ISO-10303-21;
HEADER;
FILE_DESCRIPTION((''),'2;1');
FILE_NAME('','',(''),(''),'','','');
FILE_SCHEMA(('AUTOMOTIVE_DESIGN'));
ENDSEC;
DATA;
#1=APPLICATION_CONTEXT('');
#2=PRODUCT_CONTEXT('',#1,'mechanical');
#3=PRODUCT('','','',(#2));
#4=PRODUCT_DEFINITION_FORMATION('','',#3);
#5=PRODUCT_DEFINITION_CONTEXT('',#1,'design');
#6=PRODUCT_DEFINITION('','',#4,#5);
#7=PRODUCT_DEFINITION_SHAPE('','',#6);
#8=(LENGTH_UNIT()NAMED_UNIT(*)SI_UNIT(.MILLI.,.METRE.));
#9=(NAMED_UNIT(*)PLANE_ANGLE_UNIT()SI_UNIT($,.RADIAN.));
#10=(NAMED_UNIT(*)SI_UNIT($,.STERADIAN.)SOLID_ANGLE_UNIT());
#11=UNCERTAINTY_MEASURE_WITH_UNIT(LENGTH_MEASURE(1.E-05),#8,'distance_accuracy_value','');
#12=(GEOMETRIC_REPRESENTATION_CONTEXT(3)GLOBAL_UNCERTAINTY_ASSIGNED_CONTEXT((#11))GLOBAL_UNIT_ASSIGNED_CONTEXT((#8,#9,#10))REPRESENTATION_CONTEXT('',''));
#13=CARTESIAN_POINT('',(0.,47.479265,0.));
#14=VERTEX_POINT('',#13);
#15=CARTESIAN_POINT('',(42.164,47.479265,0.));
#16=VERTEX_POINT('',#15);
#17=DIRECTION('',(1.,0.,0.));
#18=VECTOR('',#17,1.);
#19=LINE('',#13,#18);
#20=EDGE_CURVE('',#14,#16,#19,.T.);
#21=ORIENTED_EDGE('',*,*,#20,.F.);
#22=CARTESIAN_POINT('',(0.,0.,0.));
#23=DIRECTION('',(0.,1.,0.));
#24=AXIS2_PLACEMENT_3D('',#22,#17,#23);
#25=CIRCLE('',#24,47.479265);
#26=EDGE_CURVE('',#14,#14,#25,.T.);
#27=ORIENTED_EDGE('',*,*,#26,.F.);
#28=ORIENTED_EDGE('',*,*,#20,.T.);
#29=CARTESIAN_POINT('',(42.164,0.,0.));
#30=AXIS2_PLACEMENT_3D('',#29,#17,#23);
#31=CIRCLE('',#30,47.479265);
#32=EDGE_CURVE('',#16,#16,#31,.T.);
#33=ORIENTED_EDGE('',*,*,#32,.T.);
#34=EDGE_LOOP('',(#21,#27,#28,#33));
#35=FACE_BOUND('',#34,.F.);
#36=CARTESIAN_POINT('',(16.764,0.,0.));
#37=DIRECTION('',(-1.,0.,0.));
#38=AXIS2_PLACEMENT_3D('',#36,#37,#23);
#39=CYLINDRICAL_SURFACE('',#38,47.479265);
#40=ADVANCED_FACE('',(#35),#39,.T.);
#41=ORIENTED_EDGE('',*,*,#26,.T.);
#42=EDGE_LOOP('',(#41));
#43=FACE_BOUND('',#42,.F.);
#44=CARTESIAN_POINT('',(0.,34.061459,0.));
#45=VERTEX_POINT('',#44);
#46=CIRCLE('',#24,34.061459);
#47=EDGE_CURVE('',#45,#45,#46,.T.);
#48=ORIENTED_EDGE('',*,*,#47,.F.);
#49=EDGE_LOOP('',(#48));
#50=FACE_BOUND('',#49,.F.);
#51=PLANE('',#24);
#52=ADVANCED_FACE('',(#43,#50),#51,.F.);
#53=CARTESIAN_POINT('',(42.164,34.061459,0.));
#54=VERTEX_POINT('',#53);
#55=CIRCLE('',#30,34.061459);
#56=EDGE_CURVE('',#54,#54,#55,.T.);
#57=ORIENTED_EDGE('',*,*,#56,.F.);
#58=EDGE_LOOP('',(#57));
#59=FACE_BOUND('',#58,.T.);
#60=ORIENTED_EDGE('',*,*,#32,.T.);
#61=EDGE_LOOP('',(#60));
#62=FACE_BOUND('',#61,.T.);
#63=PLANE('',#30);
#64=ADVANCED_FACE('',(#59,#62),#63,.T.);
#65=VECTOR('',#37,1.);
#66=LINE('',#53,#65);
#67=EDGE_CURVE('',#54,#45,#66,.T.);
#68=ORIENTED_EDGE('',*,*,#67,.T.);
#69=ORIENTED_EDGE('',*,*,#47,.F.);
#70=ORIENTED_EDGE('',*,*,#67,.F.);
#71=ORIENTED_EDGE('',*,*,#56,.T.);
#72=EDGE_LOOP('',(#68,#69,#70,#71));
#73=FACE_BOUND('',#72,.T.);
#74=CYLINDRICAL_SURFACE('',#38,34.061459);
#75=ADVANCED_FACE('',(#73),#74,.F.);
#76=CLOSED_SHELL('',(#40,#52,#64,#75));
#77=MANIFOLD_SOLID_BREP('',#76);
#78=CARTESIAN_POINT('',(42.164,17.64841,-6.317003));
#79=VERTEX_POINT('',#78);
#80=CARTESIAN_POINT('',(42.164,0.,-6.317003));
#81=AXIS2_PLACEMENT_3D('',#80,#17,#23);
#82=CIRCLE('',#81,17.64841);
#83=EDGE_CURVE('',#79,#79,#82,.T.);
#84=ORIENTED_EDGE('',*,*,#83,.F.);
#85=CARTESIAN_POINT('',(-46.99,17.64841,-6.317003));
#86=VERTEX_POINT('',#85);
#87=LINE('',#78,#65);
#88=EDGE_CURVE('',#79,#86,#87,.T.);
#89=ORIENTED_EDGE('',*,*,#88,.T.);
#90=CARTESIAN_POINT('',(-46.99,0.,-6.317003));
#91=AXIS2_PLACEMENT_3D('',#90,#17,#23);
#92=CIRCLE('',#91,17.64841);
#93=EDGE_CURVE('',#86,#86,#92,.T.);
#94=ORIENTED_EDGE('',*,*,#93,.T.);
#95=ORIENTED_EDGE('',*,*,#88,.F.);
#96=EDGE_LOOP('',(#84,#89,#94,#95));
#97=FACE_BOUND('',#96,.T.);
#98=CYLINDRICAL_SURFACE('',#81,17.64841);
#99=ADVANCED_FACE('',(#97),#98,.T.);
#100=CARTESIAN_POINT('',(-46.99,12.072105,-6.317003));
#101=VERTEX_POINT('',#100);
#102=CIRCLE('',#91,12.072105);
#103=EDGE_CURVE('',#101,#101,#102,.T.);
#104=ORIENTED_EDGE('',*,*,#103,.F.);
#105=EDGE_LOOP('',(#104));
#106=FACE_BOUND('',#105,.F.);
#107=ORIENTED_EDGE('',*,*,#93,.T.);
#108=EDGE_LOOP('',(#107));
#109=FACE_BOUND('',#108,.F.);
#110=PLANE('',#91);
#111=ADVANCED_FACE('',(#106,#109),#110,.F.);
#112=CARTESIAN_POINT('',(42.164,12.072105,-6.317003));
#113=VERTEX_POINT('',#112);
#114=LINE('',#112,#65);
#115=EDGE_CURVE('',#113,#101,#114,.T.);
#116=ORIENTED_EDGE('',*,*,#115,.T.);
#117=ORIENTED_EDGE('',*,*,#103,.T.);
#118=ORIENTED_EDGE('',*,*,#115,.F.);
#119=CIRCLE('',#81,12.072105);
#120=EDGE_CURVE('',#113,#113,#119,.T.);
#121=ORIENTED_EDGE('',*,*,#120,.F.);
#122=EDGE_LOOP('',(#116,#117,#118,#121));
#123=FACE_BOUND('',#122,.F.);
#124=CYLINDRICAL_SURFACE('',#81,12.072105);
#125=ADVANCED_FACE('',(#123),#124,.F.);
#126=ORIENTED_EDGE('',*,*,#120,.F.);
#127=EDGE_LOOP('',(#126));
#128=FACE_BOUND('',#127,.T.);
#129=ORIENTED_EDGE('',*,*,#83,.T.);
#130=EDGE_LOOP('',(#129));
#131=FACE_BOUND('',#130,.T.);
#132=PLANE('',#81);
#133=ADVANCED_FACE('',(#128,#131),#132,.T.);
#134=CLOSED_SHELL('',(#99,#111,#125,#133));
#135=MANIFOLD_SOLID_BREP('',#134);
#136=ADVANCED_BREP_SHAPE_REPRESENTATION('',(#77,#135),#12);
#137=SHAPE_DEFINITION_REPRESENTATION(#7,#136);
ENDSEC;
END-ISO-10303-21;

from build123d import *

# Parameters (mm, degrees)
F0_R        = 47.479265
F0_R_2      = 34.061459
F1_DEPTH    = 16.764
F1_FACE_R   = 47.479265
F1_FACE_R_2 = 34.061459
F2_DEPTH    = 25.4
F3_R        = 17.64841
F3_R_2      = 12.072105
F4_DEPTH    = 89.154


with BuildPart() as f1:
    # F0 (on Right) → F1 (new body)
    with BuildSketch(Plane.YZ):
        Circle(F0_R)
        Circle(F0_R_2, mode=Mode.SUBTRACT)
    extrude(amount=F1_DEPTH)

    # F1_face (on face) → F2 (join)
    with BuildSketch(Plane.YZ.offset(16.764)):
        Circle(F1_FACE_R)
        Circle(F1_FACE_R_2, mode=Mode.SUBTRACT)
    extrude(amount=F2_DEPTH)


with BuildPart() as f4:
    # F3 (on face) → F4 (new body)
    with BuildSketch(Plane.YZ.offset(42.164)):
        with Locations((0, -6.317003)):
            Circle(F3_R)
        with Locations((0, -6.317003)):
            Circle(F3_R_2, mode=Mode.SUBTRACT)
    extrude(amount=-F4_DEPTH)


solid = Compound([f1.part, f4.part])
